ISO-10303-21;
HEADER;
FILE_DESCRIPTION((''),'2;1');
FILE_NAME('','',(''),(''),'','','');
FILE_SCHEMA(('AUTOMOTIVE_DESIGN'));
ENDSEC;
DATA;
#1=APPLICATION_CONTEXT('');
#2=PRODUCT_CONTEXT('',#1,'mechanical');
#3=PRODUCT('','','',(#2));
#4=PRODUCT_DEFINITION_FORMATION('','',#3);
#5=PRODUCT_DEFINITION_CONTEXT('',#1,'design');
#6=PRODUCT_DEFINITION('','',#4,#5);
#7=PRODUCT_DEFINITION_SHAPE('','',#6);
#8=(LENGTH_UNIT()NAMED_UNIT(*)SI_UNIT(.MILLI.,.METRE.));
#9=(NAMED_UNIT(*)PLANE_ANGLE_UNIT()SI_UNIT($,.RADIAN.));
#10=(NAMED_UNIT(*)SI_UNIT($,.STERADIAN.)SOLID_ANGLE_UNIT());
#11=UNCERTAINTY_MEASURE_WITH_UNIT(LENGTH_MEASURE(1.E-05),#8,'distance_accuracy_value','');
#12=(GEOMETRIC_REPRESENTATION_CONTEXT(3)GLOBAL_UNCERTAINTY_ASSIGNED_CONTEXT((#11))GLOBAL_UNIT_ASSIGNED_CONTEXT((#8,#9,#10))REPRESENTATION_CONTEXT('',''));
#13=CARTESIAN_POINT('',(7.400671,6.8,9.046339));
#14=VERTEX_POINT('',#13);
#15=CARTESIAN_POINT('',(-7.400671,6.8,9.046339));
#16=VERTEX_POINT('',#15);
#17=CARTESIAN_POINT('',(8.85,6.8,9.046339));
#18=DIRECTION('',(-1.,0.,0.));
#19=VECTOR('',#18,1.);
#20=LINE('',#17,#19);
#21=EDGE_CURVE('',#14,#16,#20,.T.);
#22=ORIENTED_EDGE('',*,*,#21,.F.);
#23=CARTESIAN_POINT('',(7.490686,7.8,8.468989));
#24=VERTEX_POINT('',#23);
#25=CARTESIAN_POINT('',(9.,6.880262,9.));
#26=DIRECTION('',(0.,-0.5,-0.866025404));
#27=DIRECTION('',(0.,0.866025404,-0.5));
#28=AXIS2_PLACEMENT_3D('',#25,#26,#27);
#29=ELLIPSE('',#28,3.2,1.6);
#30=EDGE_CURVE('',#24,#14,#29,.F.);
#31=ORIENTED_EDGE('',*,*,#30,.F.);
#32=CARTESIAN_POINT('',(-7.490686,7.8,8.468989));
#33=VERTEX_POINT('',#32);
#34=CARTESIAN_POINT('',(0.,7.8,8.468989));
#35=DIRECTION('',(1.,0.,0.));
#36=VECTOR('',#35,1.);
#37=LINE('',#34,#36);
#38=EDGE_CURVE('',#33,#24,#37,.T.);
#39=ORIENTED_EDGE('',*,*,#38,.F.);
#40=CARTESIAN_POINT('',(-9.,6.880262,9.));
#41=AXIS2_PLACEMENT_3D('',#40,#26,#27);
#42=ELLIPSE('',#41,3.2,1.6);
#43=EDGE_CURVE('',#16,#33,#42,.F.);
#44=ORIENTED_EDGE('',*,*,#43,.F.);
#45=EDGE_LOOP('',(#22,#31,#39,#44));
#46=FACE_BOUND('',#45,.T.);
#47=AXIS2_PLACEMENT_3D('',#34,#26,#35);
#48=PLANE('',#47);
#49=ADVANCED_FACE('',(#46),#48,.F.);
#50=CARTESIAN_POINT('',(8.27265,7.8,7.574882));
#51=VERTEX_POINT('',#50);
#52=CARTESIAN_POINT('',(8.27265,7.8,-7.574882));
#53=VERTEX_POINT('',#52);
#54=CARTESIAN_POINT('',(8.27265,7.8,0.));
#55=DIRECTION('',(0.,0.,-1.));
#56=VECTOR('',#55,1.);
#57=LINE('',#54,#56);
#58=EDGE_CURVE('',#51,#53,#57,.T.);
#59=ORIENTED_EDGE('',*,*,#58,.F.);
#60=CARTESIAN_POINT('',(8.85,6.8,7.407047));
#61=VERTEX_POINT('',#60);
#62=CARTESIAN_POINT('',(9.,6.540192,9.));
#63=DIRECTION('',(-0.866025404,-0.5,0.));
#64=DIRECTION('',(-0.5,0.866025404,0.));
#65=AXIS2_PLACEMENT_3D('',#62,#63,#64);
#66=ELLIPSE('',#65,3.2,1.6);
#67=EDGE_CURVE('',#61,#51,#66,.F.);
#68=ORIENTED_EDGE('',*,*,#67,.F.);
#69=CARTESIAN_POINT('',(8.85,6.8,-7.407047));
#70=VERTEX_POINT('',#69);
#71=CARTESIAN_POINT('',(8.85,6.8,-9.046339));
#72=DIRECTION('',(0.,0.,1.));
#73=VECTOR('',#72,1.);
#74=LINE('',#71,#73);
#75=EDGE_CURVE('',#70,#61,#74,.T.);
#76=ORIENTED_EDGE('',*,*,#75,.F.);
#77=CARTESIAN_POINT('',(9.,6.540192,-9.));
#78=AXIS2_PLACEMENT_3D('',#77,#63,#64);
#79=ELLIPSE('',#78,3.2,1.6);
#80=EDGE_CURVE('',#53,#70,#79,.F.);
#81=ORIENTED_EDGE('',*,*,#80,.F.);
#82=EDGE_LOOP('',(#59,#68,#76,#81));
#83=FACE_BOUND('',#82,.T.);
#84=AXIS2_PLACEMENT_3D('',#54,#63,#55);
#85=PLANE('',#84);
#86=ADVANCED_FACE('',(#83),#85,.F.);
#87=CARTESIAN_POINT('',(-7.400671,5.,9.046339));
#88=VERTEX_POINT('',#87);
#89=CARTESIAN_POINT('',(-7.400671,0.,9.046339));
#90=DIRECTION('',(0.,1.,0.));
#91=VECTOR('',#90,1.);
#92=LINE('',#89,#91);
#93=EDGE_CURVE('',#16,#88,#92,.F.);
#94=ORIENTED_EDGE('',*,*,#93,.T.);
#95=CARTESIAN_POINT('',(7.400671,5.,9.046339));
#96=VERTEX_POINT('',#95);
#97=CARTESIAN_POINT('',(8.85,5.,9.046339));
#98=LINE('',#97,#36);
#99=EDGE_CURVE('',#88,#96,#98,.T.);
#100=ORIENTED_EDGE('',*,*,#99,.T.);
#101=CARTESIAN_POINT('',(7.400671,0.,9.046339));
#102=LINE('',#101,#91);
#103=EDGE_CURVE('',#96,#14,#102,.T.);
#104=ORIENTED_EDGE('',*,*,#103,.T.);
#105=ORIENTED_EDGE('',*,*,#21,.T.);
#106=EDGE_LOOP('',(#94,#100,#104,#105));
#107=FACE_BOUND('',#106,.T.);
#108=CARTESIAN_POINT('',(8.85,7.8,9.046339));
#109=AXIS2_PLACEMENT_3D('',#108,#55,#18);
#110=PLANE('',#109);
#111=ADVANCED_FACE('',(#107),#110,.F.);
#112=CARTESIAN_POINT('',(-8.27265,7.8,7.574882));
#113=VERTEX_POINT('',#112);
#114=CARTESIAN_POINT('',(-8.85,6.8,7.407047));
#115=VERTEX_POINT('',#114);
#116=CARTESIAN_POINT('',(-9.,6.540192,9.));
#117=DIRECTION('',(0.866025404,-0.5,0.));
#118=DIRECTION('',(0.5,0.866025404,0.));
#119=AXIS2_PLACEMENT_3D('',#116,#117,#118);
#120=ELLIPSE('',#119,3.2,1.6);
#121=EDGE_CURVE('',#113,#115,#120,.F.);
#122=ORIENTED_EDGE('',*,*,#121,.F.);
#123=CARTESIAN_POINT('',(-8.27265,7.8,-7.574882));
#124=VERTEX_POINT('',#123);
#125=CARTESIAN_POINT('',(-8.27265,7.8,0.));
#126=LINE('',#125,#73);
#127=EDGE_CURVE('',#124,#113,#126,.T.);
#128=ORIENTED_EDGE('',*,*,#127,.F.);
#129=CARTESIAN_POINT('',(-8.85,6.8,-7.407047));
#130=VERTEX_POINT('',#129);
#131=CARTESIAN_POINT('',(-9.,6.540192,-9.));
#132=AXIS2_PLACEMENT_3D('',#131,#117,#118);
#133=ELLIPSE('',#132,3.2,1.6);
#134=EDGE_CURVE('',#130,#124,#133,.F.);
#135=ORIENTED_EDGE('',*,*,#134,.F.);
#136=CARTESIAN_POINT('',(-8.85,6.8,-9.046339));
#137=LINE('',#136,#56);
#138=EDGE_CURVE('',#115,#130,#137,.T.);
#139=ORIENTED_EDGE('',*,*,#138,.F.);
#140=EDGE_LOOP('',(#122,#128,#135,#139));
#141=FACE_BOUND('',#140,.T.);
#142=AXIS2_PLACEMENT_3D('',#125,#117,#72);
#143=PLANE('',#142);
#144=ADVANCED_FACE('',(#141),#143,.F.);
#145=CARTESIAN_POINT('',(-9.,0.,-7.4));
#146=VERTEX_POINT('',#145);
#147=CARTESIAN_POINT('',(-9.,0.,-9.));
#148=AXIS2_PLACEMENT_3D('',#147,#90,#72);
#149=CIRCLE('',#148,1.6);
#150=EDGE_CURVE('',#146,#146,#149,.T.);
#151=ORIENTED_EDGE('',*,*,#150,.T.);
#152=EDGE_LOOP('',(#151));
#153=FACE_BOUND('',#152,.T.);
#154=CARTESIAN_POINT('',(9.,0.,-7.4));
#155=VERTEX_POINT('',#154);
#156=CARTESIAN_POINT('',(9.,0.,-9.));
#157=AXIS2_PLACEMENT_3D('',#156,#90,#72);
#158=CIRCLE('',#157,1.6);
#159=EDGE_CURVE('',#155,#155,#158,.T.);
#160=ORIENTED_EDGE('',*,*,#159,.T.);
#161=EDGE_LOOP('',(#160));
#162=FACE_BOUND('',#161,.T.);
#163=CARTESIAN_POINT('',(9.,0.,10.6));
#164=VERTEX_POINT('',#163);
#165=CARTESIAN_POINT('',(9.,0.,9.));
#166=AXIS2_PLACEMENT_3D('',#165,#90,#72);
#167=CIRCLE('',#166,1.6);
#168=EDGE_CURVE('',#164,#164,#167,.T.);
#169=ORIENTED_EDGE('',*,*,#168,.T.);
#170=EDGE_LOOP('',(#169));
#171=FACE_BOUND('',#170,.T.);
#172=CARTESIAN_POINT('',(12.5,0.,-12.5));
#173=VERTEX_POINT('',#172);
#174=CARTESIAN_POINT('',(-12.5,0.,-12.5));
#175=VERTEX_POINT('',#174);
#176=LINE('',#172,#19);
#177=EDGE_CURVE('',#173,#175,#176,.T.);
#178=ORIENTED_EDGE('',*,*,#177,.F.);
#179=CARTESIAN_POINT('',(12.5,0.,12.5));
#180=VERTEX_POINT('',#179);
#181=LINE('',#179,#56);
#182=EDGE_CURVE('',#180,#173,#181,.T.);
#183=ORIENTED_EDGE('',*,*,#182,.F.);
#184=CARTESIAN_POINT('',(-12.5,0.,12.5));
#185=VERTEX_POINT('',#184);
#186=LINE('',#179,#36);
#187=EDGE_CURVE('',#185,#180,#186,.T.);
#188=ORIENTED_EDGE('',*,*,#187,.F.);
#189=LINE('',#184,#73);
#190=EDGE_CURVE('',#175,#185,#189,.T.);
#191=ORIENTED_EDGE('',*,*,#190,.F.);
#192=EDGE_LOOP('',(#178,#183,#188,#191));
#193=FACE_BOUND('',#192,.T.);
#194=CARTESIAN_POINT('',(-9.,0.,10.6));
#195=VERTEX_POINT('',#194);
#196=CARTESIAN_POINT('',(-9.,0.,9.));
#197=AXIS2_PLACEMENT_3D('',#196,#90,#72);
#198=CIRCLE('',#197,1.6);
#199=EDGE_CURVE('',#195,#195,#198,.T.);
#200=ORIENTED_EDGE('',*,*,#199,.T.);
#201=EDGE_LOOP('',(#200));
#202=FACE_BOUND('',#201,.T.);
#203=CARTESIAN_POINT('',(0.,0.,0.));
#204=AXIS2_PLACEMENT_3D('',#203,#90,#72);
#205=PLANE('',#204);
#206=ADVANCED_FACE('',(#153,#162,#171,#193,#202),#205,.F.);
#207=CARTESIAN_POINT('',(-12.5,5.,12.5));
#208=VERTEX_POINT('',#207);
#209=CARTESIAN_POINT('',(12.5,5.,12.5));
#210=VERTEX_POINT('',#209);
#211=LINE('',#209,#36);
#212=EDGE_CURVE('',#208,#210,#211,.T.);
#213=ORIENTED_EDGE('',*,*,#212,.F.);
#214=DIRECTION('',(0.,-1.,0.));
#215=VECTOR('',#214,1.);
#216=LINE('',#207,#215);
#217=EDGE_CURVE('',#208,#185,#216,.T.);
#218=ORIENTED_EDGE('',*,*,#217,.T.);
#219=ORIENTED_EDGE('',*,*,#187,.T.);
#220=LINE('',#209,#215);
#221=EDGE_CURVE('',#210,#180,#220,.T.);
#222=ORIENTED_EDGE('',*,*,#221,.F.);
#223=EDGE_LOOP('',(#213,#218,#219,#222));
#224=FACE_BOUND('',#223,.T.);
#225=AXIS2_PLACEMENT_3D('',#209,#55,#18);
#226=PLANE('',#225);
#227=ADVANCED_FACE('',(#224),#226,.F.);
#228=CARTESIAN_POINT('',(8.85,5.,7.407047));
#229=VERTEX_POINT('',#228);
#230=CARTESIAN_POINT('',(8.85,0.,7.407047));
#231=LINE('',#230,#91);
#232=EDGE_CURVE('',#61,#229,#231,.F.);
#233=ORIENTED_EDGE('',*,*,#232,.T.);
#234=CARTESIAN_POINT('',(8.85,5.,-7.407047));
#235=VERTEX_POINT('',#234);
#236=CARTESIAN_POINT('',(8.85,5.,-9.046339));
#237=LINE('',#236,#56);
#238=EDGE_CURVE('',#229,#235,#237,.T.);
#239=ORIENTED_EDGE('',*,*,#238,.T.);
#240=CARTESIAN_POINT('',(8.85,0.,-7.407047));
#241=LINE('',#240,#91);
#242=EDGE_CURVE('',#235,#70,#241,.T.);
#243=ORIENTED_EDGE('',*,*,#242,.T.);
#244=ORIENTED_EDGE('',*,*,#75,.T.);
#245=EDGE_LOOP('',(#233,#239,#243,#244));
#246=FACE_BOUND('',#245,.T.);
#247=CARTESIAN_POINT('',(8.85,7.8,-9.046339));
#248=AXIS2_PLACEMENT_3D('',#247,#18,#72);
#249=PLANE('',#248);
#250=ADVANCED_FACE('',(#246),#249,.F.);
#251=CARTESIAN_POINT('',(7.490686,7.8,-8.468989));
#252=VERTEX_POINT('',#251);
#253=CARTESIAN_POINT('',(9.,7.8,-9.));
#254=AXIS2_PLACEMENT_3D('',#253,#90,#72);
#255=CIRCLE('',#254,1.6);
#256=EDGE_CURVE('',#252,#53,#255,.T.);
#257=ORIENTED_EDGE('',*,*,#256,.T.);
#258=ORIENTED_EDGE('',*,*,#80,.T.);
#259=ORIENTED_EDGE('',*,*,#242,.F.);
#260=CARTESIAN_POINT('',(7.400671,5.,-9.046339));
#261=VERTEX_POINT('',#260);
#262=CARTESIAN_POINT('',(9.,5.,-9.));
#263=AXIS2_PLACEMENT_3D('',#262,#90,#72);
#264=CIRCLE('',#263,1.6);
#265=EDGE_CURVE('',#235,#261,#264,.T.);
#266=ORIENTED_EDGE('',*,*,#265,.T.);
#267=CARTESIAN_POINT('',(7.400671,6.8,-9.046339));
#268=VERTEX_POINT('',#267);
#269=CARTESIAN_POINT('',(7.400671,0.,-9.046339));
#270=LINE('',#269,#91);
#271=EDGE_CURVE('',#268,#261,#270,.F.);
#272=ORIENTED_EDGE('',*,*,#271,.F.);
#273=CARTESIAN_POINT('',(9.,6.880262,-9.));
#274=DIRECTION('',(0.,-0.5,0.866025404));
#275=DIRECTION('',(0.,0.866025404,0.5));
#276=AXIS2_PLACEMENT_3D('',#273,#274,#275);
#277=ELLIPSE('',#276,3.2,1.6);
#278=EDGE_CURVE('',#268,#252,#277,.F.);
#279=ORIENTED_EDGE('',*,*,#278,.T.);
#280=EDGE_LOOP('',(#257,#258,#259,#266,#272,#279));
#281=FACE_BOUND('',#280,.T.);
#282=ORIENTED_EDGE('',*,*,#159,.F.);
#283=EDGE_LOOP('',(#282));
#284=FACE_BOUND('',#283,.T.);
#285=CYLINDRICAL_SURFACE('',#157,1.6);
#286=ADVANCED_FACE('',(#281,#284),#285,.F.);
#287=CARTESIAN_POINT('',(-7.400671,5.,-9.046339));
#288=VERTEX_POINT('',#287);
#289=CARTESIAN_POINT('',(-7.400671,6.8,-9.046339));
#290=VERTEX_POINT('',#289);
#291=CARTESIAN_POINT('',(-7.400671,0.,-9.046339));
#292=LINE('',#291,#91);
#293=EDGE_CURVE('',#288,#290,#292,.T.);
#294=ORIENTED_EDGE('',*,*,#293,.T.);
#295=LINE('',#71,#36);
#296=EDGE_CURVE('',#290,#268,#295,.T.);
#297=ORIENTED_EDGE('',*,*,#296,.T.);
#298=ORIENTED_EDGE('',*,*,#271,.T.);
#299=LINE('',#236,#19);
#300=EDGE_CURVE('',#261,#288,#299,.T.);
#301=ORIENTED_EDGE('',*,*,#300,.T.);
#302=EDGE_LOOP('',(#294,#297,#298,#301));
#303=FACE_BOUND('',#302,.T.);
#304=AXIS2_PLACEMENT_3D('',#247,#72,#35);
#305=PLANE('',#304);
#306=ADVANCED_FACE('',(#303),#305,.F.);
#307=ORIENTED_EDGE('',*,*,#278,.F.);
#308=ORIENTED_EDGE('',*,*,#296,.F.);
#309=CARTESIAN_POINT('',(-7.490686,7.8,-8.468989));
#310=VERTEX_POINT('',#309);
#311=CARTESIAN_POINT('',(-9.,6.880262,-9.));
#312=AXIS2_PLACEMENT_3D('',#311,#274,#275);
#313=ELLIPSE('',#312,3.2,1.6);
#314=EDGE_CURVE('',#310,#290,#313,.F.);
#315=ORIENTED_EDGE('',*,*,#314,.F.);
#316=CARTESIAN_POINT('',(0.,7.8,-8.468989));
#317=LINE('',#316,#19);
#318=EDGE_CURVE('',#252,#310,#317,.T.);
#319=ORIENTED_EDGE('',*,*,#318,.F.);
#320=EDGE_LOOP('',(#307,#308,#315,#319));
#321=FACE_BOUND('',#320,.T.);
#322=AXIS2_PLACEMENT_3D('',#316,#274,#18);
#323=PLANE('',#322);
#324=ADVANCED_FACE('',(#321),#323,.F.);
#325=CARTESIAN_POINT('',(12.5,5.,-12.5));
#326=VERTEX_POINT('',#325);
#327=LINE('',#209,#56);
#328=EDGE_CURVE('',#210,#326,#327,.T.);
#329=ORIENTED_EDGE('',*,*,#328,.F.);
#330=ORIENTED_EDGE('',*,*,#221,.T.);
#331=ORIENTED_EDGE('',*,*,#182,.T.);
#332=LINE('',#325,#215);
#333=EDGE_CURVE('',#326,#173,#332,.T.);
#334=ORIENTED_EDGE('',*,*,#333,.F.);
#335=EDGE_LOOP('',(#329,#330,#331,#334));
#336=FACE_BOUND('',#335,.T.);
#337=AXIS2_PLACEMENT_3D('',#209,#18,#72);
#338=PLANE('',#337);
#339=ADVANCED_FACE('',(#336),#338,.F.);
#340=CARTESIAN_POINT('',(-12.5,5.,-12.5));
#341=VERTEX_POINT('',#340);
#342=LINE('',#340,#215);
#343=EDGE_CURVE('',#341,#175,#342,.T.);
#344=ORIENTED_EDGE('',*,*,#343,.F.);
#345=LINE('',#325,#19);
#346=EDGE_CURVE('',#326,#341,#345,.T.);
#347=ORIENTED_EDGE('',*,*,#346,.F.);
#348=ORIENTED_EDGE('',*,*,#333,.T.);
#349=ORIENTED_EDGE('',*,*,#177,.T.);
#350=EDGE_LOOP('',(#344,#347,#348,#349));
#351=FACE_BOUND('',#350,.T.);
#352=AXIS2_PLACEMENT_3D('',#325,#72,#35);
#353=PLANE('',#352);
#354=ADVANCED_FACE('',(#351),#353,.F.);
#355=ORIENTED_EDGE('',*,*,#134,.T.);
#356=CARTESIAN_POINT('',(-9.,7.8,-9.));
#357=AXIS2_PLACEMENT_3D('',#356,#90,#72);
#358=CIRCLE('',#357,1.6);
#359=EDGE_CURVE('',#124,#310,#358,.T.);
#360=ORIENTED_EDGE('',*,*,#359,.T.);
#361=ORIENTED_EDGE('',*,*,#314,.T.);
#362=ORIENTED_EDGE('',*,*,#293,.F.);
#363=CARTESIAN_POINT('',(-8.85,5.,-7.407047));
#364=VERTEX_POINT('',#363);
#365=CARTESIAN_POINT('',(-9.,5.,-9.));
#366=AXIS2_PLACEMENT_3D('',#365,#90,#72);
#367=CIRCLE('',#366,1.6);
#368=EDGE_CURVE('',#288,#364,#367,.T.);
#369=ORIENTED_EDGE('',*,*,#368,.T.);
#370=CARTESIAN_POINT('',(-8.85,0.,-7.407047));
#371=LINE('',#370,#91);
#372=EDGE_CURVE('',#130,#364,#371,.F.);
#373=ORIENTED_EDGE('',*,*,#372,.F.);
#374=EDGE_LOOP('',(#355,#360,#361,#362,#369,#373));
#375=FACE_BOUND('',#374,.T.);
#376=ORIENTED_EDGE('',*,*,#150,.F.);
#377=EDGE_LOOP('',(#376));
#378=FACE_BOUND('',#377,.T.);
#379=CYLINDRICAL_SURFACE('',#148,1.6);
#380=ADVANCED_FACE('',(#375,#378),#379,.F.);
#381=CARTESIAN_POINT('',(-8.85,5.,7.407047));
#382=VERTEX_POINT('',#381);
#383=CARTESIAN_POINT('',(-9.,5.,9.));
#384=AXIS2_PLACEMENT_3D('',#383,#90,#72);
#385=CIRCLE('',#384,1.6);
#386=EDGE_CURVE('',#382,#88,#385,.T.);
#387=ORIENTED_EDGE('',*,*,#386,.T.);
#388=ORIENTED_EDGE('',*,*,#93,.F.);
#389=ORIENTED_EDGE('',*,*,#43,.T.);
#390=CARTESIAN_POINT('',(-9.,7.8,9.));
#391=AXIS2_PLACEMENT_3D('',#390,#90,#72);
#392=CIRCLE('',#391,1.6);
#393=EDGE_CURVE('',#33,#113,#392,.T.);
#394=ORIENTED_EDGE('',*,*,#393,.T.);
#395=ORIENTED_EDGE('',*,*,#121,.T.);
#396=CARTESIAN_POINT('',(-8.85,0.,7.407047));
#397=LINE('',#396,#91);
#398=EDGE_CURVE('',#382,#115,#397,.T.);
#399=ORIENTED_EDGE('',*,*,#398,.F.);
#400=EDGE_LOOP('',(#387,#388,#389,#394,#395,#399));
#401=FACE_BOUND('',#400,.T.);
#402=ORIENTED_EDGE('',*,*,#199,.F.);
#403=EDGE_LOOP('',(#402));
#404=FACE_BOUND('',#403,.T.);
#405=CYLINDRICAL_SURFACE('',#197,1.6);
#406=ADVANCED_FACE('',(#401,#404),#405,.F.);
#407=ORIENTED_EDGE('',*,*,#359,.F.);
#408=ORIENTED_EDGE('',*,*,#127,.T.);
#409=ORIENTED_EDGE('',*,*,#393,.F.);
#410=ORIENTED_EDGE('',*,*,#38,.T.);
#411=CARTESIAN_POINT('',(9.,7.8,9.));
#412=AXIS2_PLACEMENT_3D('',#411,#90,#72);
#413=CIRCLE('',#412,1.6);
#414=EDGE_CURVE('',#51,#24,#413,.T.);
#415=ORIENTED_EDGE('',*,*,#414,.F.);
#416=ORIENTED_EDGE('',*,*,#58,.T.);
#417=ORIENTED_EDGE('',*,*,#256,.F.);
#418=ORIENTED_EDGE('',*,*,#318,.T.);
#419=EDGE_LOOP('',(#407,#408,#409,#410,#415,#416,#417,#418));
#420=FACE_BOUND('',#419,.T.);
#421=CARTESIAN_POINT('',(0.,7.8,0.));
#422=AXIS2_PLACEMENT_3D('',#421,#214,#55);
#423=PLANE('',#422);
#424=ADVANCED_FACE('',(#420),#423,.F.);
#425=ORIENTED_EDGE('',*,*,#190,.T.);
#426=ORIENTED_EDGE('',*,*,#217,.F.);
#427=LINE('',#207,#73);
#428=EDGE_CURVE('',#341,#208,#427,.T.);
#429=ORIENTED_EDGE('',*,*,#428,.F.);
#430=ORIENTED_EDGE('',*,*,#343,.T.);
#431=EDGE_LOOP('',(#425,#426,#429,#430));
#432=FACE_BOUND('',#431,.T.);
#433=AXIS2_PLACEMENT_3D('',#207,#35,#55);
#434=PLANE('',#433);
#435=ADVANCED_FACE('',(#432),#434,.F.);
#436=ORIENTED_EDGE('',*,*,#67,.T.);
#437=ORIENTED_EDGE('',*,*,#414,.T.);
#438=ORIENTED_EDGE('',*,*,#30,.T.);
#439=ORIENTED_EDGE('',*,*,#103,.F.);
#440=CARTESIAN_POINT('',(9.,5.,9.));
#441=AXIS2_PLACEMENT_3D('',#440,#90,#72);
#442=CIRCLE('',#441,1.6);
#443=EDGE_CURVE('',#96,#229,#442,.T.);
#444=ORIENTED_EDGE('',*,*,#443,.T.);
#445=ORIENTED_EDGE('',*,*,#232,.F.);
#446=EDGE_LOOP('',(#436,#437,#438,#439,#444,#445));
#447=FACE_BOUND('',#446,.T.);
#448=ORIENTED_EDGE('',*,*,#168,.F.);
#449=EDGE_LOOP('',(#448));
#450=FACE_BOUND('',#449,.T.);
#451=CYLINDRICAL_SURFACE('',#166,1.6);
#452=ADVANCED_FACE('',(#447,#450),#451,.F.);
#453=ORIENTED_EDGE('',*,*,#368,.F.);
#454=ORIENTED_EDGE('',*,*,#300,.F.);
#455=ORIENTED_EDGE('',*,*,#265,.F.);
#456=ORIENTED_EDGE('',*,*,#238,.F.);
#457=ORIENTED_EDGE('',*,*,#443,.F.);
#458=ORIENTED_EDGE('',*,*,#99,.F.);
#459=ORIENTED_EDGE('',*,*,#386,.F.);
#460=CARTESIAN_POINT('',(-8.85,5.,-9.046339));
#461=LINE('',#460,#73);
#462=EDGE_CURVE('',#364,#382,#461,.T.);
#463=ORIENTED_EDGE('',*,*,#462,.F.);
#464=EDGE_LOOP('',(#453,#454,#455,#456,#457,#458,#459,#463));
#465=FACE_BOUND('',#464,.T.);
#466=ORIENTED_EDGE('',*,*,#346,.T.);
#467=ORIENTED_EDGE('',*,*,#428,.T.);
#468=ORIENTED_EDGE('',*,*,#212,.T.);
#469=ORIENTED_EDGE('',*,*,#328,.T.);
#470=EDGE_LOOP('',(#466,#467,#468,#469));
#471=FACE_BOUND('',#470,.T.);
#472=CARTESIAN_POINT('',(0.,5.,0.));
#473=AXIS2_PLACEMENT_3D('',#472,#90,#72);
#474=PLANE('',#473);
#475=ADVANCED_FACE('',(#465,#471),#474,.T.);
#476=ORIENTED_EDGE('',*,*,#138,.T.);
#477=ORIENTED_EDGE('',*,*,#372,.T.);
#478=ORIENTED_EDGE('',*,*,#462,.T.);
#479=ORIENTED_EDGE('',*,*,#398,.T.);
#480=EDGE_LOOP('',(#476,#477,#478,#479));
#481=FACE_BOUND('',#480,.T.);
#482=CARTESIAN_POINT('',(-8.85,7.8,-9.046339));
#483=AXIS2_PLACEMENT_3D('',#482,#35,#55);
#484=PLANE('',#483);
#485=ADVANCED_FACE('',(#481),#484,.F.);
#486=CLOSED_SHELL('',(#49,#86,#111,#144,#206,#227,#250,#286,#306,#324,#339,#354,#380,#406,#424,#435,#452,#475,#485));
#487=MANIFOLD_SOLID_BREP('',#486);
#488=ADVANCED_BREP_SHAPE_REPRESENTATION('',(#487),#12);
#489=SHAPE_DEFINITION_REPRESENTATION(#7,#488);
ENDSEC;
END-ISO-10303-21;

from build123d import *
from OCP.BRepFilletAPI import BRepFilletAPI_MakeChamfer

# Parameters (mm, degrees)
SKETCH1_W               = 25
SKETCH1_H               = 25
BOSS_EXTRUDE1_DEPTH     = 5
SKETCH4_R               = 4.15
CUT_EXTRUDE2_DEPTH      = 19.371173071
SKETCH9_W               = 17.7
SKETCH9_H               = 18.092678694
BOSS_EXTRUDE3_DEPTH     = 2.8
CUT_EXTRUDE4_DEPTH      = 19.371173071
CUT_EXTRUDE4_DEPTH_BACK = 19.371173071
SKETCH6_R               = 1.6
CHAMFER1_SIZE           = 1
CHAMFER1_SIZE2          = 0.577350269
SKETCH10_R              = 4.15
BOSS_EXTRUDE4_DEPTH     = 5


with BuildPart() as part:
    # Sketch1 → Boss-Extrude1 (new body)
    with BuildSketch(Plane(origin=(0, 0, 0), x_dir=(1, 0, 0), z_dir=(0, 1, 0))):
        Rectangle(SKETCH1_W, SKETCH1_H)
    extrude(amount=BOSS_EXTRUDE1_DEPTH)

    # Sketch4 → Cut-Extrude2 (cut, through all)
    with BuildSketch(Plane(origin=(0, 5, 0), x_dir=(1, 0, 0), z_dir=(0, 1, 0))):
        with Locations(Location((0, 0, 0), (0, 0, 270))):
            Circle(SKETCH4_R)
    extrude(amount=-CUT_EXTRUDE2_DEPTH, mode=Mode.SUBTRACT)

    # Sketch9 → Boss-Extrude3 (add)
    with BuildSketch(Plane(origin=(0, 5, 0), x_dir=(1, 0, 0), z_dir=(0, 1, 0))):
        Rectangle(SKETCH9_W, SKETCH9_H)
    extrude(amount=BOSS_EXTRUDE3_DEPTH)

    # Sketch6 → Cut-Extrude4 (cut, two sides: drawn at the far end of the back side and taken through both)
    with BuildSketch(Plane(origin=(0, 5, 0), x_dir=(1, 0, 0), z_dir=(0, 1, 0)).offset(-CUT_EXTRUDE4_DEPTH_BACK)):
        with Locations(Location((9, -9, 0), (0, 0, 270))):
            Circle(SKETCH6_R)
        with Locations(Location((-9, -9, 0), (0, 0, 270))):
            Circle(SKETCH6_R)
        with Locations(Location((-9, 9, 0), (0, 0, 270))):
            Circle(SKETCH6_R)
        with Locations(Location((9, 9, 0), (0, 0, 270))):
            Circle(SKETCH6_R)
    extrude(amount=CUT_EXTRUDE4_DEPTH + CUT_EXTRUDE4_DEPTH_BACK, mode=Mode.SUBTRACT)

    # Chamfer1: one chamfer whose edges measure the first distance from different faces: ONE call of the kernel's chamfer builder (chamfer() names one face for all edges)
    chamfer1_edges_1 = [part.edges().sort_by_distance(p)[0] for p in [
        (8.85, 7.8, 0),
    ]]
    chamfer1_side_1 = [part.faces().sort_by_distance(p)[0] for p in [
        (8.85, 6.4, 0),
    ]]
    chamfer1_edges_2 = [part.edges().sort_by_distance(p)[0] for p in [
        (0, 7.8, 9.046339347),
    ]]
    chamfer1_side_2 = [part.faces().sort_by_distance(p)[0] for p in [
        (0, 6.4, 9.046339347),
    ]]
    chamfer1_edges_3 = [part.edges().sort_by_distance(p)[0] for p in [
        (0, 7.8, -9.046339347),
    ]]
    chamfer1_side_3 = [part.faces().sort_by_distance(p)[0] for p in [
        (0, 6.4, -9.046339347),
    ]]
    chamfer1_edges_4 = [part.edges().sort_by_distance(p)[0] for p in [
        (-8.85, 7.8, 0),
    ]]
    chamfer1_side_4 = [part.faces().sort_by_distance(p)[0] for p in [
        (-8.85, 6.4, 0),
    ]]
    chamfer1 = BRepFilletAPI_MakeChamfer(part.part.solid().wrapped)
    for e in chamfer1_edges_1:
        chamfer1.Add(CHAMFER1_SIZE, CHAMFER1_SIZE2, e.wrapped, chamfer1_side_1[0].wrapped)  # the first distance lies on this face
    for e in chamfer1_edges_2:
        chamfer1.Add(CHAMFER1_SIZE, CHAMFER1_SIZE2, e.wrapped, chamfer1_side_2[0].wrapped)  # the first distance lies on this face
    for e in chamfer1_edges_3:
        chamfer1.Add(CHAMFER1_SIZE, CHAMFER1_SIZE2, e.wrapped, chamfer1_side_3[0].wrapped)  # the first distance lies on this face
    for e in chamfer1_edges_4:
        chamfer1.Add(CHAMFER1_SIZE, CHAMFER1_SIZE2, e.wrapped, chamfer1_side_4[0].wrapped)  # the first distance lies on this face
    add(Compound.cast(chamfer1.Shape()), mode=Mode.REPLACE)

    # Sketch10 → Boss-Extrude4 (add)
    with BuildSketch(Plane.XZ.offset(-5)):
        Circle(SKETCH10_R)
    extrude(amount=BOSS_EXTRUDE4_DEPTH)


solid = part.part
